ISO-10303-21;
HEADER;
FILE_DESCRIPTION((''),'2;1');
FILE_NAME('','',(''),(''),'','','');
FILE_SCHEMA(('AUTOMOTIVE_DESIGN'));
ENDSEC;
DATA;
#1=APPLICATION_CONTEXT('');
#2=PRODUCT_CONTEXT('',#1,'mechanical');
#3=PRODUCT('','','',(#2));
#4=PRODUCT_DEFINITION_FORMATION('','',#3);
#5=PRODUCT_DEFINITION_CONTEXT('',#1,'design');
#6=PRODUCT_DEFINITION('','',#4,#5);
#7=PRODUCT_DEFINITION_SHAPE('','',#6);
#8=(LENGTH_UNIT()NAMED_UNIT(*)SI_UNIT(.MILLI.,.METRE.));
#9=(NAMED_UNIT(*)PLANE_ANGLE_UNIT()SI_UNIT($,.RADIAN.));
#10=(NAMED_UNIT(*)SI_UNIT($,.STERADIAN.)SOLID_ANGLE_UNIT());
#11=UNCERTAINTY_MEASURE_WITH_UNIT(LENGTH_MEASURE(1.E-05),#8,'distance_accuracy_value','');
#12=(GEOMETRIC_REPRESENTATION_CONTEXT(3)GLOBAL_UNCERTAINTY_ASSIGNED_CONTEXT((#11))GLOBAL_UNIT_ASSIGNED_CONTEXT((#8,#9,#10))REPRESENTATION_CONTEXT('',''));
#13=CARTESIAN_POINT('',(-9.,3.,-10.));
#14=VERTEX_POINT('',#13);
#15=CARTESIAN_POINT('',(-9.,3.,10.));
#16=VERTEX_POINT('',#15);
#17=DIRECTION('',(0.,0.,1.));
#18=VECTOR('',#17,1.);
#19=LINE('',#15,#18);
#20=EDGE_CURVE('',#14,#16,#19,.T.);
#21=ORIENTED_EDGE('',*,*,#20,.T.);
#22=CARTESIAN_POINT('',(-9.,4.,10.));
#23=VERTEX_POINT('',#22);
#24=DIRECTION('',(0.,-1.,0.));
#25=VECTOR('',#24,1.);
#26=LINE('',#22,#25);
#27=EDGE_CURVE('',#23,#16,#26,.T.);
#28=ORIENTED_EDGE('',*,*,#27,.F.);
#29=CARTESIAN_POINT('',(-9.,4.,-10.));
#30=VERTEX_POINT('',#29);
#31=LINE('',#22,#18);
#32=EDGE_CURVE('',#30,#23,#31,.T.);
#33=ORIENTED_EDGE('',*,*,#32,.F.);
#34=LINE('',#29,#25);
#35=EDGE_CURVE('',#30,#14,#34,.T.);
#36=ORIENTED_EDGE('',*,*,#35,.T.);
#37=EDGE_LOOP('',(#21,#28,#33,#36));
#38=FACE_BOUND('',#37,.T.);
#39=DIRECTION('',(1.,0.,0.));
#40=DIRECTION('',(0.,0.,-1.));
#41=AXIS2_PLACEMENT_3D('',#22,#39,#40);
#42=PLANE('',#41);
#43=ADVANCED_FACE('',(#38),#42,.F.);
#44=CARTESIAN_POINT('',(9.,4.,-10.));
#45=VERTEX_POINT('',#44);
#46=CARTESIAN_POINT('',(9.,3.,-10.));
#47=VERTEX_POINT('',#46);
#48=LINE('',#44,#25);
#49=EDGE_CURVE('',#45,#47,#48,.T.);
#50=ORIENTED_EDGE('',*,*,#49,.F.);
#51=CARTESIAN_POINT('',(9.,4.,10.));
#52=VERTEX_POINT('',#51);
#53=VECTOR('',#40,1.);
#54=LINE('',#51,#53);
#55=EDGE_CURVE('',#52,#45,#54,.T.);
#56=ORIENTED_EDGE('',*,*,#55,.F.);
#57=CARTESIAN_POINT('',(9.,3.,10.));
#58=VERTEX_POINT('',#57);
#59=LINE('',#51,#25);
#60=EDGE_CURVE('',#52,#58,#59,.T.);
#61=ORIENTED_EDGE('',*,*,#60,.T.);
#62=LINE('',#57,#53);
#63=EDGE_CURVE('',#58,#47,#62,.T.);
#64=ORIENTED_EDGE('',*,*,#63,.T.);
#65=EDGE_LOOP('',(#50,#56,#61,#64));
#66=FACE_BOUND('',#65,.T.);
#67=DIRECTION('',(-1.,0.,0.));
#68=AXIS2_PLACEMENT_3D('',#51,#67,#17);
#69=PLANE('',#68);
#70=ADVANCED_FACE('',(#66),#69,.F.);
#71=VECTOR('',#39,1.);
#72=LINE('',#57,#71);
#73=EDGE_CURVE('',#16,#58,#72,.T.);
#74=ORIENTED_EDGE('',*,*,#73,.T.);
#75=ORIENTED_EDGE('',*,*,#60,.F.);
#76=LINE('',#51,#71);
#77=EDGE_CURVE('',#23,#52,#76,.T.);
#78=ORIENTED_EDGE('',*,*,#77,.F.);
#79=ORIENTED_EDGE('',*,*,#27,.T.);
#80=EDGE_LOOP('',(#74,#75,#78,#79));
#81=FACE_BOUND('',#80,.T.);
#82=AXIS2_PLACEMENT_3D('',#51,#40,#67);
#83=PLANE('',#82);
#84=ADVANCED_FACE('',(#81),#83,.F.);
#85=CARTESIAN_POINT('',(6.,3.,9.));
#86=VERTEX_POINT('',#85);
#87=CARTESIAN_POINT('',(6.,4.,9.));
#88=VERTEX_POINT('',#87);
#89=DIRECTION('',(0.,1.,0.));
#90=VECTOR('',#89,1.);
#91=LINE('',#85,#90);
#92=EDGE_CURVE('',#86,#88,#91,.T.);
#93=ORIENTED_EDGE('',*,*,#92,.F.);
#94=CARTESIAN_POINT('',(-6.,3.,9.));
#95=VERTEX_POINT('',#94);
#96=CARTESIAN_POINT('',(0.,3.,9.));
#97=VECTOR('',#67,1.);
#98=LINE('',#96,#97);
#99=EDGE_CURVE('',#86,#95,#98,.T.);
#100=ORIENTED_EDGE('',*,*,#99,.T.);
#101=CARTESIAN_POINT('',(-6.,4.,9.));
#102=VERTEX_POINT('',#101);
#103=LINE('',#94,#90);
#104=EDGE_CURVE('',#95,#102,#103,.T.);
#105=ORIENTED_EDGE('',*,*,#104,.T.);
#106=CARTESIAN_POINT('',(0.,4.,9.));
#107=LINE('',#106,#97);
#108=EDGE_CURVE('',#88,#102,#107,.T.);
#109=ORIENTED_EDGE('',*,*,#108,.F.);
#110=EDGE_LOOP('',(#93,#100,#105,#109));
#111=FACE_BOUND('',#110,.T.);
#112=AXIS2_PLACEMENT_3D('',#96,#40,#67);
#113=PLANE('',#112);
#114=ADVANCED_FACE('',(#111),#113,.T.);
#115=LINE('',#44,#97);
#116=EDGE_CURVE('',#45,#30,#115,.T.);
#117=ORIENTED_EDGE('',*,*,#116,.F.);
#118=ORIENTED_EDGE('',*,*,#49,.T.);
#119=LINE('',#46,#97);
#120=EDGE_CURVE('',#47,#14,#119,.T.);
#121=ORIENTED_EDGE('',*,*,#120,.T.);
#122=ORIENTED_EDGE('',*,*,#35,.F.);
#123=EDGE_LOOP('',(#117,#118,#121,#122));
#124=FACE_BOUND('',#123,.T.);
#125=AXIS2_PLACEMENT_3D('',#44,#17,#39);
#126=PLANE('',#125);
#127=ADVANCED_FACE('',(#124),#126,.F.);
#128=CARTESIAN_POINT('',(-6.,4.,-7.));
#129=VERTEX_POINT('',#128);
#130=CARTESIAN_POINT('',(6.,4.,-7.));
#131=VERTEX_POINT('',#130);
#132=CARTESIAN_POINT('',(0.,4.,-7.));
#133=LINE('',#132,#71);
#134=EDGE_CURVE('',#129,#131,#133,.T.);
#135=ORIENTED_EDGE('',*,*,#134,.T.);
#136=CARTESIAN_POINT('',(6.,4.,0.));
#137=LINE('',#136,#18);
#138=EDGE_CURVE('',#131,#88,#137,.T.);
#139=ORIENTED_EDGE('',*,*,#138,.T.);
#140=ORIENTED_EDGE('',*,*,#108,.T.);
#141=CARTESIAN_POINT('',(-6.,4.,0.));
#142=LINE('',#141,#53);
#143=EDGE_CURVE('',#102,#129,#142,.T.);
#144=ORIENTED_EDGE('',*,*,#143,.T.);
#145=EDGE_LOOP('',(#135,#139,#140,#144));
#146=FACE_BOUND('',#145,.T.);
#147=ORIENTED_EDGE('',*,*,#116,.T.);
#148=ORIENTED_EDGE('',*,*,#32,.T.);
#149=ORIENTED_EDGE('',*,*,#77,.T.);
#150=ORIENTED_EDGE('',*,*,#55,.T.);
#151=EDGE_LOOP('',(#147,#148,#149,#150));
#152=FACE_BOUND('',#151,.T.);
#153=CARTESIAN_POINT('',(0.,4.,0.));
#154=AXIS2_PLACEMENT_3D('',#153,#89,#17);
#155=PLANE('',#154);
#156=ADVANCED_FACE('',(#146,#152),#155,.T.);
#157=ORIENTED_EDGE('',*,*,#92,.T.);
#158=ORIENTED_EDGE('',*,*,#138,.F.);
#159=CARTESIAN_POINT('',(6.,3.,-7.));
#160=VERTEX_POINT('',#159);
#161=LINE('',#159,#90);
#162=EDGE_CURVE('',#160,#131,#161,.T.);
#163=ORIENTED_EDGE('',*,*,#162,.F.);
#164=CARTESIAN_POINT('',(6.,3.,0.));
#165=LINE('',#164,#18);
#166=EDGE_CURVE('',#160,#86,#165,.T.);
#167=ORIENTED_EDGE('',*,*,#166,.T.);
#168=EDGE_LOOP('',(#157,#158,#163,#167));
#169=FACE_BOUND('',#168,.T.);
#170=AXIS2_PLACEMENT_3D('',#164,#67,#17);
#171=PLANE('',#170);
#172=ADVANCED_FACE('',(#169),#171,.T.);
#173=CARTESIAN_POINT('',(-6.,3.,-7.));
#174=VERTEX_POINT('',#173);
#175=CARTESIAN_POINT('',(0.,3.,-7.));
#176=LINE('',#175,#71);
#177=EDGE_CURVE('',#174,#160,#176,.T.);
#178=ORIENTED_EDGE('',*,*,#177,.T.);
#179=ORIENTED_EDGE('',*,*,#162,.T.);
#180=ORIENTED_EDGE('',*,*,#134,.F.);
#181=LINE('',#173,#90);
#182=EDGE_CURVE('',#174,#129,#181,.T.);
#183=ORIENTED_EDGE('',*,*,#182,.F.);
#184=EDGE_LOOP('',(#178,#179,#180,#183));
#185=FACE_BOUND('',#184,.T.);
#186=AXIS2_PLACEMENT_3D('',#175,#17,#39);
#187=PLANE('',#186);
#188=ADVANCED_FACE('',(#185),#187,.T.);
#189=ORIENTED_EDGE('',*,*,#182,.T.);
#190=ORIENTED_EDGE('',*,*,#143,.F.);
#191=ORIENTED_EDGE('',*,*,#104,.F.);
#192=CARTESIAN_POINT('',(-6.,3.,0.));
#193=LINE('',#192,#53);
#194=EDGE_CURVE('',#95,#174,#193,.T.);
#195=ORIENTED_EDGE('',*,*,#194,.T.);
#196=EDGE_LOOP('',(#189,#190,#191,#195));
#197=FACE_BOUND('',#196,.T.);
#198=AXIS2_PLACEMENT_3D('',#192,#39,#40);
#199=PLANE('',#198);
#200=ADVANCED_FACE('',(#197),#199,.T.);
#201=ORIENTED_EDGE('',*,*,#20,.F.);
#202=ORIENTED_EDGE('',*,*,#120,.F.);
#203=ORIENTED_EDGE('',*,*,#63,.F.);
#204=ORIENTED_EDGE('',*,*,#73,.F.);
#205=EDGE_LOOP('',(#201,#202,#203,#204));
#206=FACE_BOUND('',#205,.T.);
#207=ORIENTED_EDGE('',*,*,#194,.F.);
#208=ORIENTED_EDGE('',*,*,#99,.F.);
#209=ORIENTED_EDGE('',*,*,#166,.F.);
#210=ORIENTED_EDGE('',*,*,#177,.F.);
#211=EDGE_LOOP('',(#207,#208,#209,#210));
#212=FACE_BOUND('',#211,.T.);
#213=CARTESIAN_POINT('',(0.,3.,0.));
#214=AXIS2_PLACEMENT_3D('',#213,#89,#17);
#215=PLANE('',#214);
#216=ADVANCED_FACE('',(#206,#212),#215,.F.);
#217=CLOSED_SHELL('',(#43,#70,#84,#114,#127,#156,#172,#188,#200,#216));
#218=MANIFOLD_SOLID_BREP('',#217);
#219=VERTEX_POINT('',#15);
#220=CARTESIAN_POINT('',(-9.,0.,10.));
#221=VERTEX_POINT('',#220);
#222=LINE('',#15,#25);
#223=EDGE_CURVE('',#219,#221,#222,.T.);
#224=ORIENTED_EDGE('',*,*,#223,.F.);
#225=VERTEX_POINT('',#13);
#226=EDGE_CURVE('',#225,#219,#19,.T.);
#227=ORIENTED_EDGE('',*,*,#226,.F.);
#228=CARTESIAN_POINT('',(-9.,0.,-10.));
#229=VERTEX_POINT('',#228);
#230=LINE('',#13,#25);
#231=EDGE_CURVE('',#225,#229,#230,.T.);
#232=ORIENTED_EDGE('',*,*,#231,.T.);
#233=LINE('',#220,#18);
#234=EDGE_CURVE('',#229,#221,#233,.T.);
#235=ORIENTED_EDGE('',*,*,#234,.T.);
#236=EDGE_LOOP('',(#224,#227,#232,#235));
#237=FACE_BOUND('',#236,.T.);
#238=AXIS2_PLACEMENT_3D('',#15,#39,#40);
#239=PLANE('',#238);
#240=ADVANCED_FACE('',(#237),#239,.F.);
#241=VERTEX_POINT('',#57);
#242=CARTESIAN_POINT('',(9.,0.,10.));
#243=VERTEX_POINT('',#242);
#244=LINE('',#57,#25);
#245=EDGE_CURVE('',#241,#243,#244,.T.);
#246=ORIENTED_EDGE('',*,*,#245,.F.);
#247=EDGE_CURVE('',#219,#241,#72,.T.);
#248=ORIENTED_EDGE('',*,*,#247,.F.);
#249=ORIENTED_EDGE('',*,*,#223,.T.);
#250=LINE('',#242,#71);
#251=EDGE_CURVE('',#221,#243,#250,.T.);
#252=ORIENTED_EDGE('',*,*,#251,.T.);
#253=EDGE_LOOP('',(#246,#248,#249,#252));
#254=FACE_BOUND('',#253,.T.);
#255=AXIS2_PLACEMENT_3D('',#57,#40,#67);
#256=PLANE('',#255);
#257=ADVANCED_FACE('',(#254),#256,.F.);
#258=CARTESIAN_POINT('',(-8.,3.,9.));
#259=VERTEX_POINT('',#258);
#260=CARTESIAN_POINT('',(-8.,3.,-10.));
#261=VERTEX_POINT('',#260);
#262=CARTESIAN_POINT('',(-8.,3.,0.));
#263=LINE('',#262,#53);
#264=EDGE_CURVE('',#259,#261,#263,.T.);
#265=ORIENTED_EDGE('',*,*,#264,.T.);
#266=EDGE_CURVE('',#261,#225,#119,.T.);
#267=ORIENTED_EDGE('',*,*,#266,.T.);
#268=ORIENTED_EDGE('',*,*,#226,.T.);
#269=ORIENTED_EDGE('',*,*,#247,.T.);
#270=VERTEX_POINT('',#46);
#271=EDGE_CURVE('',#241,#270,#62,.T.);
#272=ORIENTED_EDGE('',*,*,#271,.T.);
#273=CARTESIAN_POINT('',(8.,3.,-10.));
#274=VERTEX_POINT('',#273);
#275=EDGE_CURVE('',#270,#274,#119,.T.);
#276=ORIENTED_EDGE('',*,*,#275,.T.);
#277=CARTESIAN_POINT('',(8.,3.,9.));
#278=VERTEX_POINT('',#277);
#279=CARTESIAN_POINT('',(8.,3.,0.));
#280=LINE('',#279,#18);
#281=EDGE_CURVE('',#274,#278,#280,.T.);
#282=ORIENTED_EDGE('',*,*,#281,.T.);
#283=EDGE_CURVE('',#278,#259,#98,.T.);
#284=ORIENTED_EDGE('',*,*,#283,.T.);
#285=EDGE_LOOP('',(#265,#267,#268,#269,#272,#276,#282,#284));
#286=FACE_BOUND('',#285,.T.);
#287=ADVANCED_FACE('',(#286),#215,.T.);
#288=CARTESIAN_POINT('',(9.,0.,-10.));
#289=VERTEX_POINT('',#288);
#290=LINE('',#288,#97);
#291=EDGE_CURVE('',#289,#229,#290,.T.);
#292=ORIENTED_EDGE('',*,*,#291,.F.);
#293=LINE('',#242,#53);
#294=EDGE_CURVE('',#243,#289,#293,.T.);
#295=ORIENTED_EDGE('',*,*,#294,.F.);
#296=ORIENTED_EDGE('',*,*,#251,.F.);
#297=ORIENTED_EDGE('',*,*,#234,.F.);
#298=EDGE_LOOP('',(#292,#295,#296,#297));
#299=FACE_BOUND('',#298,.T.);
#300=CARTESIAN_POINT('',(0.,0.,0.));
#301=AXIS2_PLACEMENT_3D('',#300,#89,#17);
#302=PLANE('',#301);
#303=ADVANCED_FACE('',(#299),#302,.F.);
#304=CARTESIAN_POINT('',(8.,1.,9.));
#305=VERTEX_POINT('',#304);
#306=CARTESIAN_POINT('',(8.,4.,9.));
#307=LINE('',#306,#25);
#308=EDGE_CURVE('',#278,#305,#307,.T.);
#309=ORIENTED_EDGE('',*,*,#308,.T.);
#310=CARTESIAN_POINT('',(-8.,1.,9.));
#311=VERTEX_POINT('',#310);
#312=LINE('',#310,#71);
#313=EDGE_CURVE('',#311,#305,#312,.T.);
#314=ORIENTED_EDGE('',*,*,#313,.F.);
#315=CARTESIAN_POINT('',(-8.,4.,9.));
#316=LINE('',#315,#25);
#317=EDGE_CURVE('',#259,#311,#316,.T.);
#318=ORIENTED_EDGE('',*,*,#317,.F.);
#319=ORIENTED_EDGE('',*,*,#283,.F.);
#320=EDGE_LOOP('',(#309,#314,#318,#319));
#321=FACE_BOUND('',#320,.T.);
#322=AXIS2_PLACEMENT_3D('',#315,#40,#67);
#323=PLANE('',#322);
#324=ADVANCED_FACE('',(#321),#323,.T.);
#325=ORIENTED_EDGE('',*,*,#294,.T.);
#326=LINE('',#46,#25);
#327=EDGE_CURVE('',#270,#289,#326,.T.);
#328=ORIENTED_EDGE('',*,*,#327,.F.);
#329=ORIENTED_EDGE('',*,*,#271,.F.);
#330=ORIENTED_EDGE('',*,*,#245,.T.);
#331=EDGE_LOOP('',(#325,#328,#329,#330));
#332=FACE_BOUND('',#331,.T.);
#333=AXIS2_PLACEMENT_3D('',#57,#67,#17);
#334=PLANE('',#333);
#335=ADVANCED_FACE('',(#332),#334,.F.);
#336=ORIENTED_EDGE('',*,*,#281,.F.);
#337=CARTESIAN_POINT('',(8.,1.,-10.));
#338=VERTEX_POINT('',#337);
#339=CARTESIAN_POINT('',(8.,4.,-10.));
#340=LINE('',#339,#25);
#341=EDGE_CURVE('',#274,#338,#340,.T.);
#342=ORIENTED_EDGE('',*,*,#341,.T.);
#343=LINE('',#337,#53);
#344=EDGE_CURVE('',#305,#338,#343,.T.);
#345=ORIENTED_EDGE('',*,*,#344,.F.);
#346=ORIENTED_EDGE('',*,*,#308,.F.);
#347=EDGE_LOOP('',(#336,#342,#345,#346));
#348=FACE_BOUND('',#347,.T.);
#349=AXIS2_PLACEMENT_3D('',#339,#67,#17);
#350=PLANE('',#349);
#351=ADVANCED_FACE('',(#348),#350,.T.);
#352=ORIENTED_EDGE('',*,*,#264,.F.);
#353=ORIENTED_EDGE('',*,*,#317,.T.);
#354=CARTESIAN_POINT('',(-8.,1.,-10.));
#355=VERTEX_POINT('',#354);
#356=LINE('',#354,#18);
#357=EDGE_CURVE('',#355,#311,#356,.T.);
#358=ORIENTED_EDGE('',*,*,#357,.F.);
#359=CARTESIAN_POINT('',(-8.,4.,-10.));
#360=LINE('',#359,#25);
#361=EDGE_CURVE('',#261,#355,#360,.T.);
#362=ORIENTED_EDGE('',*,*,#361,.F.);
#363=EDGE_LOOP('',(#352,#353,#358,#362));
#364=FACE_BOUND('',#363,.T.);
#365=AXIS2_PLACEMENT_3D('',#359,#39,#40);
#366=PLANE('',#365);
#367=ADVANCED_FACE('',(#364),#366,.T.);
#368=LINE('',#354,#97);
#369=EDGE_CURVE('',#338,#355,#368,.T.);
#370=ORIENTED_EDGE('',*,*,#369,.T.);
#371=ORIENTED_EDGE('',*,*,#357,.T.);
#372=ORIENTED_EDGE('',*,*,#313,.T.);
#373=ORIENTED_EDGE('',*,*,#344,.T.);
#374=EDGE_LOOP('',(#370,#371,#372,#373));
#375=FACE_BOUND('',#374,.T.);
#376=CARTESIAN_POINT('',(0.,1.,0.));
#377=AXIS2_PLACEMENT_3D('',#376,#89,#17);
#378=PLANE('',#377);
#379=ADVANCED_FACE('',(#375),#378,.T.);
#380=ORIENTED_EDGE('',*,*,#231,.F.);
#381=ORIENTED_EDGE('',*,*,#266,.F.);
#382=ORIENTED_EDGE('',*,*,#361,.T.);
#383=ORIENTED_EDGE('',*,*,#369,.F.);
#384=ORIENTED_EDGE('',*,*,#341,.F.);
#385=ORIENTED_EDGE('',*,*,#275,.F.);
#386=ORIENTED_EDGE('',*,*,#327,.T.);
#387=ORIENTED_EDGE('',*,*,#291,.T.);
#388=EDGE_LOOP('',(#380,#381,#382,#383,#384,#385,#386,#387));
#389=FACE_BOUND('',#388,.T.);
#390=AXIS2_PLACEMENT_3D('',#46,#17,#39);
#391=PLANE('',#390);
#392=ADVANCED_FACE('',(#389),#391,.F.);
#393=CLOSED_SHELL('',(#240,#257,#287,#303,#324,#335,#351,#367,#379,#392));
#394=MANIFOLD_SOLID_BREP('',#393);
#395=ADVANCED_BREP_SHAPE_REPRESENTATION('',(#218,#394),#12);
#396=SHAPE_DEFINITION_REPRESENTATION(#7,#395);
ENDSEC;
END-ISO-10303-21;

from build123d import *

# Parameters (mm, degrees)
SKETCH_1_W          = 18
SKETCH_1_H          = 20
EXTRUDE_1_DEPTH     = 3
CUT_EXTRUDE_START   = 1
SKETCH_3_W          = 16
SKETCH_3_H          = 19
CUT_EXTRUDE_1_DEPTH = 3
EXTRUDE_START       = 3
SKETCH_4_W          = 18
SKETCH_4_H          = 20
EXTRUDE_2_DEPTH     = 1
CUT_EXTRUDE_START_2 = 4
SKETCH_7_W          = 12
SKETCH_7_H          = 16
CUT_EXTRUDE_3_DEPTH = 1


with BuildPart() as part:
    # 스케치1 → 보스-돌출1 (new body)
    with BuildSketch(Plane(origin=(0, 0, 0), x_dir=(1, 0, 0), z_dir=(0, 1, 0))):
        Rectangle(SKETCH_1_W, SKETCH_1_H)
    extrude(amount=EXTRUDE_1_DEPTH)

    # 스케치3 → 컷-돌출1 (cut)
    with BuildSketch(Plane(origin=(0, 0, 0), x_dir=(1, 0, 0), z_dir=(0, 1, 0)).offset(CUT_EXTRUDE_START)):
        with Locations((0, 0.5)):
            Rectangle(SKETCH_3_W, SKETCH_3_H)
    extrude(amount=CUT_EXTRUDE_1_DEPTH, mode=Mode.SUBTRACT)


with BuildPart() as body_2:
    # 스케치4 → 보스-돌출2 (new body)
    with BuildSketch(Plane(origin=(0, 0, 0), x_dir=(1, 0, 0), z_dir=(0, 1, 0)).offset(EXTRUDE_START)):
        Rectangle(SKETCH_4_W, SKETCH_4_H)
    extrude(amount=EXTRUDE_2_DEPTH)

    # 스케치7 → 컷-돌출3 (cut)
    with BuildSketch(Plane(origin=(0, 0, 0), x_dir=(1, 0, 0), z_dir=(0, 1, 0)).offset(CUT_EXTRUDE_START_2)):
        with Locations((0, -1)):
            Rectangle(SKETCH_7_W, SKETCH_7_H)
    extrude(amount=-CUT_EXTRUDE_3_DEPTH, mode=Mode.SUBTRACT)


solid = Compound([part.part, body_2.part])
